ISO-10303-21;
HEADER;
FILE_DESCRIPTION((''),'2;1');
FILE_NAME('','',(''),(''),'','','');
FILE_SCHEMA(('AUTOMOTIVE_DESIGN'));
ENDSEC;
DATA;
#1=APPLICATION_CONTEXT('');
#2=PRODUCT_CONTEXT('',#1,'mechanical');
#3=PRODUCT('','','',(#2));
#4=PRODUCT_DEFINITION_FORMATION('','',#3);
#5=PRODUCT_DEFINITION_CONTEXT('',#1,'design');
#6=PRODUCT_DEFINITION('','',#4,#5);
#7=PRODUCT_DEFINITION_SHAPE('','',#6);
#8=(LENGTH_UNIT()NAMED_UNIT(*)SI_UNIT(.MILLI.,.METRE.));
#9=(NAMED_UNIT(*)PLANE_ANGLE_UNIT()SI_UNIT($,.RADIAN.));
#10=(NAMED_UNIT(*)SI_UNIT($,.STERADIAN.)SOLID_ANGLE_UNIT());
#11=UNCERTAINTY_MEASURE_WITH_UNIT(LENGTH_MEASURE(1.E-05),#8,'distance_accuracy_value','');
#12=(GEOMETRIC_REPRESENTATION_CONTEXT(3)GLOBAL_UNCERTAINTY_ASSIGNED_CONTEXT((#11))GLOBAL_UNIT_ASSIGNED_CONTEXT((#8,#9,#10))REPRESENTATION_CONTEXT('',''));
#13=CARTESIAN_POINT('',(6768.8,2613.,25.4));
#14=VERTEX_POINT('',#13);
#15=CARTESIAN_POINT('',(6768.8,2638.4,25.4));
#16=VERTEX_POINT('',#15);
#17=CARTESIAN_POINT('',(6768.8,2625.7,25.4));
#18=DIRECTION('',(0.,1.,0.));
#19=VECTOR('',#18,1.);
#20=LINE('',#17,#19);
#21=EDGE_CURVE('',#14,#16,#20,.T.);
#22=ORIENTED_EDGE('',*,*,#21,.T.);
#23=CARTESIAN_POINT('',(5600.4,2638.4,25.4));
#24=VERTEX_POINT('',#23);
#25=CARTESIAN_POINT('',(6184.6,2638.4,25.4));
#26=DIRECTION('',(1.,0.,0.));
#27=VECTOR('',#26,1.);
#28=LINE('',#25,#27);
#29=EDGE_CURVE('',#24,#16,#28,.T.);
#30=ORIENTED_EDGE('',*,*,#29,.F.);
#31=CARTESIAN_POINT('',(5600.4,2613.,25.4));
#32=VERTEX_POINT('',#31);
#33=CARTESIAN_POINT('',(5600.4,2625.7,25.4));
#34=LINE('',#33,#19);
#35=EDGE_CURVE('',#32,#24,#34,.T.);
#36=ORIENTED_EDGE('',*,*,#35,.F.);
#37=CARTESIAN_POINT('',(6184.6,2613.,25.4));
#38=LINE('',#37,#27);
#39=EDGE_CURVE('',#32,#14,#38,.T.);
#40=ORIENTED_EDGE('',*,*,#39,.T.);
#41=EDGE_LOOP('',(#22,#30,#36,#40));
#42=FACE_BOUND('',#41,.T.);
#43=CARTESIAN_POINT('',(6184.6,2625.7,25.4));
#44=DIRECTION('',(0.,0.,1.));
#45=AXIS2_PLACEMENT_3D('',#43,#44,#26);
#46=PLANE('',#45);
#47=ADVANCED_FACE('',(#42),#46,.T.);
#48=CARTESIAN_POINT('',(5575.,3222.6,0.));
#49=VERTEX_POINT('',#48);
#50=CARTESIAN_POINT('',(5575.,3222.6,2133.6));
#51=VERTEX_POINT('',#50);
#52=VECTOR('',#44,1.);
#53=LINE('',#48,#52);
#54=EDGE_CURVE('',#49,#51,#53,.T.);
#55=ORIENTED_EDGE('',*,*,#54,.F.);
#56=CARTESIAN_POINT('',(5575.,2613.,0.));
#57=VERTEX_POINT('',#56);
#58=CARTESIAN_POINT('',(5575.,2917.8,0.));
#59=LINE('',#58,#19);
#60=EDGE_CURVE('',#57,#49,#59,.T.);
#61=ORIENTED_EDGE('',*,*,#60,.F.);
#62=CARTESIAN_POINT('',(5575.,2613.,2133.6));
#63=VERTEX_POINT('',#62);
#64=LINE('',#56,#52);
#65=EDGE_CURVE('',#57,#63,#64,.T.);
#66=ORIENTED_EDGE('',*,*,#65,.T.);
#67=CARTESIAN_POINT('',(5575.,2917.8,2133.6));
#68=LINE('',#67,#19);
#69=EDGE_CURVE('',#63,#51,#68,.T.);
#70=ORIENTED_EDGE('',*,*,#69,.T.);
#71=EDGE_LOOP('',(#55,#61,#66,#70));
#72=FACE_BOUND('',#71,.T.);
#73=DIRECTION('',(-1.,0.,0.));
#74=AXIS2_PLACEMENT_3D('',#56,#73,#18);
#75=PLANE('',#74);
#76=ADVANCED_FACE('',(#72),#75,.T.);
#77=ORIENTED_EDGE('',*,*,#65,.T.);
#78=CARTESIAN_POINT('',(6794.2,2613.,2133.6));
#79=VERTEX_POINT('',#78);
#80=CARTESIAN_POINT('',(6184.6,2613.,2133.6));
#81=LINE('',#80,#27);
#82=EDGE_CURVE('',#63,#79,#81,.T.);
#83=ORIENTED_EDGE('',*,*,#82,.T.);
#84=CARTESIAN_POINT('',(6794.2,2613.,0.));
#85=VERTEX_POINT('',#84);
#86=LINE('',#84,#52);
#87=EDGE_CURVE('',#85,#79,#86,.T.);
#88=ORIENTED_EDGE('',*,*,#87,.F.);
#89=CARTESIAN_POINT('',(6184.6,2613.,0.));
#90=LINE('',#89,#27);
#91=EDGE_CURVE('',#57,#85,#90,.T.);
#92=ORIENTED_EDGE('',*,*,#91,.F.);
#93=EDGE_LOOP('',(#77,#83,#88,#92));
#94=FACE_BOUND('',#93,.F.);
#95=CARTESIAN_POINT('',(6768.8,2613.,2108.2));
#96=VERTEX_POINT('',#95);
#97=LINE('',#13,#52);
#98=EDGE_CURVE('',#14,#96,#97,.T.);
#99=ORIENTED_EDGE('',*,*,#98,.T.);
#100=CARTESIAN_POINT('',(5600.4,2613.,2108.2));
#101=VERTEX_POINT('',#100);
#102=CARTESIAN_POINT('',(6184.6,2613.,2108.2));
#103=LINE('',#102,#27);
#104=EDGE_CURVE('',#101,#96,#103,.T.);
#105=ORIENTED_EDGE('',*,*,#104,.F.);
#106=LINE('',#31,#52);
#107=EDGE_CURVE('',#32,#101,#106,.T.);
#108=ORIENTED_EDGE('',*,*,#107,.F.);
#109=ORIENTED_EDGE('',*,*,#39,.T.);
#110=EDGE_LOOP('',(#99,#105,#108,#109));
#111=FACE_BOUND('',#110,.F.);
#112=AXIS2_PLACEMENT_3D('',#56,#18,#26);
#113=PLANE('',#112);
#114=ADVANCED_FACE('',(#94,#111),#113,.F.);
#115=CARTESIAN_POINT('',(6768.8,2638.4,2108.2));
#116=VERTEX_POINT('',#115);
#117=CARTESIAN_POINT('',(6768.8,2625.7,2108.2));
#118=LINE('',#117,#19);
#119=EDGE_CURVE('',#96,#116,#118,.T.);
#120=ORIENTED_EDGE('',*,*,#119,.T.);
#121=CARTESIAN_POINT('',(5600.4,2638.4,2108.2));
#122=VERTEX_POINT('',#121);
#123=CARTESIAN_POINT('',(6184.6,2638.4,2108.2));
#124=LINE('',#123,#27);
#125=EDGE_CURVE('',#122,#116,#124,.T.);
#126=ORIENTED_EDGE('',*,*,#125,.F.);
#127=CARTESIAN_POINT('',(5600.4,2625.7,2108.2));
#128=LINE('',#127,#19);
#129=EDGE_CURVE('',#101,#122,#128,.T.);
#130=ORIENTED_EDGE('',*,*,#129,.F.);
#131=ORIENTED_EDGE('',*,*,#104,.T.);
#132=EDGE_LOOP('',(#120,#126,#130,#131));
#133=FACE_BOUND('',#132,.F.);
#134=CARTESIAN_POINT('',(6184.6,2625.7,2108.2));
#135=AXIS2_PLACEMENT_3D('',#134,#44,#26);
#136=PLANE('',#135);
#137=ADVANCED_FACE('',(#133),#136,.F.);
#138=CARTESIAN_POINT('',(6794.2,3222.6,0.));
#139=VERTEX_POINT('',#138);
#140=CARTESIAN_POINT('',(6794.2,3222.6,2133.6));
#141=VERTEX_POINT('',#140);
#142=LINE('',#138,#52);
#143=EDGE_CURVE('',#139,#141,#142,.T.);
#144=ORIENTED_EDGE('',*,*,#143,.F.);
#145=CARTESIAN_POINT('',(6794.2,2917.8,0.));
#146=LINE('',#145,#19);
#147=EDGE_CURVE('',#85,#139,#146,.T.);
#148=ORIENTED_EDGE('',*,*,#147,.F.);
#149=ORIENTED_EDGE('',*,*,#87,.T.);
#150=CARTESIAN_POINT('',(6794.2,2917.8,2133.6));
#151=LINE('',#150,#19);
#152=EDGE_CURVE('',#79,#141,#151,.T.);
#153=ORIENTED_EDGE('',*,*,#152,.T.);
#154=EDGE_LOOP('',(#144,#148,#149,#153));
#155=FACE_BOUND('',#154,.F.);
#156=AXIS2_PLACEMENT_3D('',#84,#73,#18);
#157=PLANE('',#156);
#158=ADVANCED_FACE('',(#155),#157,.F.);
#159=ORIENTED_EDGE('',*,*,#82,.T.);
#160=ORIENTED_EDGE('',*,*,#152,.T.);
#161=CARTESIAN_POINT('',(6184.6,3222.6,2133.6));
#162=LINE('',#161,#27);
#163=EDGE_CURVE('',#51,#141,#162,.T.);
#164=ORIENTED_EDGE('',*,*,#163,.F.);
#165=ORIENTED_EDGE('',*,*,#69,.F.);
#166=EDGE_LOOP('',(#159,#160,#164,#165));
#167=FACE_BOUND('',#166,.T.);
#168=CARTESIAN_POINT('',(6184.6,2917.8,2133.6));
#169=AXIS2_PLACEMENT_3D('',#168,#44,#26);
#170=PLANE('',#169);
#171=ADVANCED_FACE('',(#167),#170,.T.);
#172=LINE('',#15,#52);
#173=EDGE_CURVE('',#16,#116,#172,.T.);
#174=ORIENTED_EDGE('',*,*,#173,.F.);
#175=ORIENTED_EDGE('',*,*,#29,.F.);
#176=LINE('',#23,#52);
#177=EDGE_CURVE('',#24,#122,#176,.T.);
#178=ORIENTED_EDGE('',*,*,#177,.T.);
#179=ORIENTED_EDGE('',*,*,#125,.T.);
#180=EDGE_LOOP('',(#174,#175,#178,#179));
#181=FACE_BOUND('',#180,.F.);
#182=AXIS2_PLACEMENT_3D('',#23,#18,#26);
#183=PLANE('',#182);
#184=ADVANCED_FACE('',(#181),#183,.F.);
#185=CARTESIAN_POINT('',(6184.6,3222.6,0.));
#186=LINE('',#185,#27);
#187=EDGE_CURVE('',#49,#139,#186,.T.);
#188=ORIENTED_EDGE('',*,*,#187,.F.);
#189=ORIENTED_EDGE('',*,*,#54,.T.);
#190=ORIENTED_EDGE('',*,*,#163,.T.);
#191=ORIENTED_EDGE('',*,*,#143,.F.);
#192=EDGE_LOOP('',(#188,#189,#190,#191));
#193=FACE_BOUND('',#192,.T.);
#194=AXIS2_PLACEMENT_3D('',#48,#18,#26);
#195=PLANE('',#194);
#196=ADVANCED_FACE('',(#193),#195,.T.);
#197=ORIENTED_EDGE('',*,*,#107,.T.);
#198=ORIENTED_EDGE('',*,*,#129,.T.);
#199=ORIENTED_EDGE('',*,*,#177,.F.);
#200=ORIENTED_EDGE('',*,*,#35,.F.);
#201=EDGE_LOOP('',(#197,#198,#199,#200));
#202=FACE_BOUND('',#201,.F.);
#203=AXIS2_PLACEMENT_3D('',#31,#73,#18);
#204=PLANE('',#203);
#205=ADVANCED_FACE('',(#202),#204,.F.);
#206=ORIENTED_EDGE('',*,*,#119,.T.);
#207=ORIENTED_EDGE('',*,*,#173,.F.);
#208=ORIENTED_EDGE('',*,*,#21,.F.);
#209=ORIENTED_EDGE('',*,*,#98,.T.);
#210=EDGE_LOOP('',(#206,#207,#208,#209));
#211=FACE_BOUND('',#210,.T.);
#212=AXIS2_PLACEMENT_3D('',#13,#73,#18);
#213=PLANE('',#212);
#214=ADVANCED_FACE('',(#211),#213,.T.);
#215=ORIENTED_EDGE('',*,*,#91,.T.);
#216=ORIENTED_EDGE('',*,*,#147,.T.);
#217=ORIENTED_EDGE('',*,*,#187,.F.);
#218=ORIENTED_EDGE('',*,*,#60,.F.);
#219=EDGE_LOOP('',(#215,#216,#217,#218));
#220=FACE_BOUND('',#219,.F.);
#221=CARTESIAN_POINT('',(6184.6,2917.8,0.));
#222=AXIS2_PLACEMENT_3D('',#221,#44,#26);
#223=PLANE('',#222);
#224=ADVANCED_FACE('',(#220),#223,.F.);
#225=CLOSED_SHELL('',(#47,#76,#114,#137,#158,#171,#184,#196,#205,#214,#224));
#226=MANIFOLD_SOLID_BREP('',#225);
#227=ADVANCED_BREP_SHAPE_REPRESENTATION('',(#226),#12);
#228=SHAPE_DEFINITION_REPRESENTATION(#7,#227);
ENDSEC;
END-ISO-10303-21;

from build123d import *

# Parameters (mm, degrees)
BOX017_W     = 1168.4
BOX017_H     = 25.4
BOX017_DEPTH = 2082.8
BOX016_W     = 1219.2
BOX016_H     = 609.6
BOX016_DEPTH = 2133.6


with BuildPart() as cube017:
    # Box017 → Box017 (new body)
    with BuildSketch(Plane(origin=(25.4, 0, 25.4), x_dir=(1, 0, 0), z_dir=(0, 0, 1))):
        with Locations((584.2, 12.7)):
            Rectangle(BOX017_W, BOX017_H)
    extrude(amount=BOX017_DEPTH)


with BuildPart() as cut005:
    # Box016 → Box016 (new body)
    with BuildSketch(Plane.XY):
        with Locations((609.6, 304.8)):
            Rectangle(BOX016_W, BOX016_H)
    extrude(amount=BOX016_DEPTH)

    # Cut005: cut Cube017
    add(cube017.part, mode=Mode.SUBTRACT)


with BuildPart() as cut005_1:
    # Cut005 placement: moved
    add(cut005.part.moved(Location((5575, 2613, 0))))


solid = cut005_1.part
